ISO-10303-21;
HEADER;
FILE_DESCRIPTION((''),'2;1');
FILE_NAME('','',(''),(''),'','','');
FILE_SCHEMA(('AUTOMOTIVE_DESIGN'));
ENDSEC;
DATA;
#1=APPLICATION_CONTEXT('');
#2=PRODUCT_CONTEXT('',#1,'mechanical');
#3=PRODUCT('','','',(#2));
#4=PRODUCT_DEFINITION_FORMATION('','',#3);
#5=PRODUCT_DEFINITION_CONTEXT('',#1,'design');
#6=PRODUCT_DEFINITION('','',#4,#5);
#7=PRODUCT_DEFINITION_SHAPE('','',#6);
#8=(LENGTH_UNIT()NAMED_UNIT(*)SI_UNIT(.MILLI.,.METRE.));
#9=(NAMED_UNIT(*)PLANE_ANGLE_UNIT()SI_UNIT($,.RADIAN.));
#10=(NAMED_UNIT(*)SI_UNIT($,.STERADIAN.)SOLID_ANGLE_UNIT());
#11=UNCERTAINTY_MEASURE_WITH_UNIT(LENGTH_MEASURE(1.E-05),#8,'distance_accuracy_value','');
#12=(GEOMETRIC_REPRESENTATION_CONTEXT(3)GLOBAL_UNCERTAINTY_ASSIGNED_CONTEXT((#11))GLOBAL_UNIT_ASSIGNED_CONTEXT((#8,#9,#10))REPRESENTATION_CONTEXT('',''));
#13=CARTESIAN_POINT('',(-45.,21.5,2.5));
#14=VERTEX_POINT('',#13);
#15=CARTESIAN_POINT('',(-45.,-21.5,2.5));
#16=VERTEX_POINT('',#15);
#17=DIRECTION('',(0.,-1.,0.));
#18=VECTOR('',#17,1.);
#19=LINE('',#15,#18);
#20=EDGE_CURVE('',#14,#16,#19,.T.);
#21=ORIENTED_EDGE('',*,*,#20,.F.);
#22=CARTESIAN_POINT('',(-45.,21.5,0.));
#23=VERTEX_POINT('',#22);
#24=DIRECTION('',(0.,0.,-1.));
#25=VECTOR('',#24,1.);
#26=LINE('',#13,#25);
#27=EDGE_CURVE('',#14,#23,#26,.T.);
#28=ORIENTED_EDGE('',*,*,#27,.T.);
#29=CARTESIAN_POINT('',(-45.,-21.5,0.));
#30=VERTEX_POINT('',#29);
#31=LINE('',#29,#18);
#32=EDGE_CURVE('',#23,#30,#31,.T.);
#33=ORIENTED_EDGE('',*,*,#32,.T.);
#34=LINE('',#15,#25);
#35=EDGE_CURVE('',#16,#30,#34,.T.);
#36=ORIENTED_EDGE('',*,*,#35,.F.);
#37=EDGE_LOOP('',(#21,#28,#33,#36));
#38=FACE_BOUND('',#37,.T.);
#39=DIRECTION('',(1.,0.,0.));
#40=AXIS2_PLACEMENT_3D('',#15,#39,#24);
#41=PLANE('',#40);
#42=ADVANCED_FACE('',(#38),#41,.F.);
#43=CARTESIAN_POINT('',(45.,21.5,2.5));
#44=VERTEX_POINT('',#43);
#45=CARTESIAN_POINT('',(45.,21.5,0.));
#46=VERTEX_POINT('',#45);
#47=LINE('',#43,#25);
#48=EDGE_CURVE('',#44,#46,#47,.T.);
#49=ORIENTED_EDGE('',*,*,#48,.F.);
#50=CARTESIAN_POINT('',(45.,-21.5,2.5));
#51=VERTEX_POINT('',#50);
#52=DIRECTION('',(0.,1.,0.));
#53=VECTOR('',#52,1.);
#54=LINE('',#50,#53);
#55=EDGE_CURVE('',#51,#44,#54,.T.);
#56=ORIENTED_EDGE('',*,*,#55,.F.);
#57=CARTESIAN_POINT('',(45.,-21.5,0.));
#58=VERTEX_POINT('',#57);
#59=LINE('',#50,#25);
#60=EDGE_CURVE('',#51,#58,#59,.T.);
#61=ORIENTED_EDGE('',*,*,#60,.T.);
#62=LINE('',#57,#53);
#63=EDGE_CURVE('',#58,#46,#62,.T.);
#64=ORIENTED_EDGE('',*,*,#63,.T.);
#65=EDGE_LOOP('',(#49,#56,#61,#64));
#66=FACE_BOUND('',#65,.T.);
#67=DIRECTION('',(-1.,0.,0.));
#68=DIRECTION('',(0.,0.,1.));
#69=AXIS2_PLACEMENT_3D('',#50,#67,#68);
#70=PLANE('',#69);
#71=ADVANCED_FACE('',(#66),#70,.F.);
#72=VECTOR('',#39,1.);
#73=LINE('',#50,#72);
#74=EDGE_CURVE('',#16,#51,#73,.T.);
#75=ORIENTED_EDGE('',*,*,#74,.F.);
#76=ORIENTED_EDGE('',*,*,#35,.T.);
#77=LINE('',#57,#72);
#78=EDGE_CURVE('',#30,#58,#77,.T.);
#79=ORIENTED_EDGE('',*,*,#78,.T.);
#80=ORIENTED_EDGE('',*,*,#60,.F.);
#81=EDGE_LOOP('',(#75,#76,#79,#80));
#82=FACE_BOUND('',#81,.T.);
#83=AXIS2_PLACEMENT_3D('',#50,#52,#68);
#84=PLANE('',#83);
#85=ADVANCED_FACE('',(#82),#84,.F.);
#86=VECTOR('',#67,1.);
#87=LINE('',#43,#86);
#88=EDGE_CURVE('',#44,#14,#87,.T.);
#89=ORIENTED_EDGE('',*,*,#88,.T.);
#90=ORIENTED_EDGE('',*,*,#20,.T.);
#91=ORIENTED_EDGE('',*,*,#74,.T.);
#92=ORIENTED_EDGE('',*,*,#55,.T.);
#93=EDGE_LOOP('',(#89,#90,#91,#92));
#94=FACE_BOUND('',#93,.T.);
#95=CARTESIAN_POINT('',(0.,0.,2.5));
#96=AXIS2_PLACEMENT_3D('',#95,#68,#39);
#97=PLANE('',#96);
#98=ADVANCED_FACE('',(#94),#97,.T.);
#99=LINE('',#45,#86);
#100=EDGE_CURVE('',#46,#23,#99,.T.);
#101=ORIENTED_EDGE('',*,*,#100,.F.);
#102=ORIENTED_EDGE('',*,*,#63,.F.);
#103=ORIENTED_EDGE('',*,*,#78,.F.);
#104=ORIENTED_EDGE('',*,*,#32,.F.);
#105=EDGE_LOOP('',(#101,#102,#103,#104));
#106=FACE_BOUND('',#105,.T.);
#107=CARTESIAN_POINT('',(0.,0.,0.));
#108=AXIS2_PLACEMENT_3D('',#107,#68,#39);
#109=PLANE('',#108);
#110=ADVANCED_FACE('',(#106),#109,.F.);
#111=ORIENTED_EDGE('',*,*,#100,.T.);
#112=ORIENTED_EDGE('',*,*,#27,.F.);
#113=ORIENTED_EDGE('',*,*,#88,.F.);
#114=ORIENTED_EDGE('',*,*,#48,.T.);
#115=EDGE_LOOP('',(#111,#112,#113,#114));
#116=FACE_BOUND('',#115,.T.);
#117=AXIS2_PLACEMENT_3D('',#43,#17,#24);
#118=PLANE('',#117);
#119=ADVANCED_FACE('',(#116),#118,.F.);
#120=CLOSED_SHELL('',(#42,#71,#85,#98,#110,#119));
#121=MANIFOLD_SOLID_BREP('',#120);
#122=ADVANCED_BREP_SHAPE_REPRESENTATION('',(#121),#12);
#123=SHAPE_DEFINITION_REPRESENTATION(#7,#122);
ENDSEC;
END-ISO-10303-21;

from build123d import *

# Parameters (mm, degrees)
SKETCH_1_W      = 90
SKETCH_1_H      = 43
EXTRUDE_1_DEPTH = 2.5


with BuildPart() as part:
    # 草圖1 → 填料-伸長1 (new body)
    with BuildSketch(Plane.XY):
        Rectangle(SKETCH_1_W, SKETCH_1_H)
    extrude(amount=EXTRUDE_1_DEPTH)


solid = part.part
